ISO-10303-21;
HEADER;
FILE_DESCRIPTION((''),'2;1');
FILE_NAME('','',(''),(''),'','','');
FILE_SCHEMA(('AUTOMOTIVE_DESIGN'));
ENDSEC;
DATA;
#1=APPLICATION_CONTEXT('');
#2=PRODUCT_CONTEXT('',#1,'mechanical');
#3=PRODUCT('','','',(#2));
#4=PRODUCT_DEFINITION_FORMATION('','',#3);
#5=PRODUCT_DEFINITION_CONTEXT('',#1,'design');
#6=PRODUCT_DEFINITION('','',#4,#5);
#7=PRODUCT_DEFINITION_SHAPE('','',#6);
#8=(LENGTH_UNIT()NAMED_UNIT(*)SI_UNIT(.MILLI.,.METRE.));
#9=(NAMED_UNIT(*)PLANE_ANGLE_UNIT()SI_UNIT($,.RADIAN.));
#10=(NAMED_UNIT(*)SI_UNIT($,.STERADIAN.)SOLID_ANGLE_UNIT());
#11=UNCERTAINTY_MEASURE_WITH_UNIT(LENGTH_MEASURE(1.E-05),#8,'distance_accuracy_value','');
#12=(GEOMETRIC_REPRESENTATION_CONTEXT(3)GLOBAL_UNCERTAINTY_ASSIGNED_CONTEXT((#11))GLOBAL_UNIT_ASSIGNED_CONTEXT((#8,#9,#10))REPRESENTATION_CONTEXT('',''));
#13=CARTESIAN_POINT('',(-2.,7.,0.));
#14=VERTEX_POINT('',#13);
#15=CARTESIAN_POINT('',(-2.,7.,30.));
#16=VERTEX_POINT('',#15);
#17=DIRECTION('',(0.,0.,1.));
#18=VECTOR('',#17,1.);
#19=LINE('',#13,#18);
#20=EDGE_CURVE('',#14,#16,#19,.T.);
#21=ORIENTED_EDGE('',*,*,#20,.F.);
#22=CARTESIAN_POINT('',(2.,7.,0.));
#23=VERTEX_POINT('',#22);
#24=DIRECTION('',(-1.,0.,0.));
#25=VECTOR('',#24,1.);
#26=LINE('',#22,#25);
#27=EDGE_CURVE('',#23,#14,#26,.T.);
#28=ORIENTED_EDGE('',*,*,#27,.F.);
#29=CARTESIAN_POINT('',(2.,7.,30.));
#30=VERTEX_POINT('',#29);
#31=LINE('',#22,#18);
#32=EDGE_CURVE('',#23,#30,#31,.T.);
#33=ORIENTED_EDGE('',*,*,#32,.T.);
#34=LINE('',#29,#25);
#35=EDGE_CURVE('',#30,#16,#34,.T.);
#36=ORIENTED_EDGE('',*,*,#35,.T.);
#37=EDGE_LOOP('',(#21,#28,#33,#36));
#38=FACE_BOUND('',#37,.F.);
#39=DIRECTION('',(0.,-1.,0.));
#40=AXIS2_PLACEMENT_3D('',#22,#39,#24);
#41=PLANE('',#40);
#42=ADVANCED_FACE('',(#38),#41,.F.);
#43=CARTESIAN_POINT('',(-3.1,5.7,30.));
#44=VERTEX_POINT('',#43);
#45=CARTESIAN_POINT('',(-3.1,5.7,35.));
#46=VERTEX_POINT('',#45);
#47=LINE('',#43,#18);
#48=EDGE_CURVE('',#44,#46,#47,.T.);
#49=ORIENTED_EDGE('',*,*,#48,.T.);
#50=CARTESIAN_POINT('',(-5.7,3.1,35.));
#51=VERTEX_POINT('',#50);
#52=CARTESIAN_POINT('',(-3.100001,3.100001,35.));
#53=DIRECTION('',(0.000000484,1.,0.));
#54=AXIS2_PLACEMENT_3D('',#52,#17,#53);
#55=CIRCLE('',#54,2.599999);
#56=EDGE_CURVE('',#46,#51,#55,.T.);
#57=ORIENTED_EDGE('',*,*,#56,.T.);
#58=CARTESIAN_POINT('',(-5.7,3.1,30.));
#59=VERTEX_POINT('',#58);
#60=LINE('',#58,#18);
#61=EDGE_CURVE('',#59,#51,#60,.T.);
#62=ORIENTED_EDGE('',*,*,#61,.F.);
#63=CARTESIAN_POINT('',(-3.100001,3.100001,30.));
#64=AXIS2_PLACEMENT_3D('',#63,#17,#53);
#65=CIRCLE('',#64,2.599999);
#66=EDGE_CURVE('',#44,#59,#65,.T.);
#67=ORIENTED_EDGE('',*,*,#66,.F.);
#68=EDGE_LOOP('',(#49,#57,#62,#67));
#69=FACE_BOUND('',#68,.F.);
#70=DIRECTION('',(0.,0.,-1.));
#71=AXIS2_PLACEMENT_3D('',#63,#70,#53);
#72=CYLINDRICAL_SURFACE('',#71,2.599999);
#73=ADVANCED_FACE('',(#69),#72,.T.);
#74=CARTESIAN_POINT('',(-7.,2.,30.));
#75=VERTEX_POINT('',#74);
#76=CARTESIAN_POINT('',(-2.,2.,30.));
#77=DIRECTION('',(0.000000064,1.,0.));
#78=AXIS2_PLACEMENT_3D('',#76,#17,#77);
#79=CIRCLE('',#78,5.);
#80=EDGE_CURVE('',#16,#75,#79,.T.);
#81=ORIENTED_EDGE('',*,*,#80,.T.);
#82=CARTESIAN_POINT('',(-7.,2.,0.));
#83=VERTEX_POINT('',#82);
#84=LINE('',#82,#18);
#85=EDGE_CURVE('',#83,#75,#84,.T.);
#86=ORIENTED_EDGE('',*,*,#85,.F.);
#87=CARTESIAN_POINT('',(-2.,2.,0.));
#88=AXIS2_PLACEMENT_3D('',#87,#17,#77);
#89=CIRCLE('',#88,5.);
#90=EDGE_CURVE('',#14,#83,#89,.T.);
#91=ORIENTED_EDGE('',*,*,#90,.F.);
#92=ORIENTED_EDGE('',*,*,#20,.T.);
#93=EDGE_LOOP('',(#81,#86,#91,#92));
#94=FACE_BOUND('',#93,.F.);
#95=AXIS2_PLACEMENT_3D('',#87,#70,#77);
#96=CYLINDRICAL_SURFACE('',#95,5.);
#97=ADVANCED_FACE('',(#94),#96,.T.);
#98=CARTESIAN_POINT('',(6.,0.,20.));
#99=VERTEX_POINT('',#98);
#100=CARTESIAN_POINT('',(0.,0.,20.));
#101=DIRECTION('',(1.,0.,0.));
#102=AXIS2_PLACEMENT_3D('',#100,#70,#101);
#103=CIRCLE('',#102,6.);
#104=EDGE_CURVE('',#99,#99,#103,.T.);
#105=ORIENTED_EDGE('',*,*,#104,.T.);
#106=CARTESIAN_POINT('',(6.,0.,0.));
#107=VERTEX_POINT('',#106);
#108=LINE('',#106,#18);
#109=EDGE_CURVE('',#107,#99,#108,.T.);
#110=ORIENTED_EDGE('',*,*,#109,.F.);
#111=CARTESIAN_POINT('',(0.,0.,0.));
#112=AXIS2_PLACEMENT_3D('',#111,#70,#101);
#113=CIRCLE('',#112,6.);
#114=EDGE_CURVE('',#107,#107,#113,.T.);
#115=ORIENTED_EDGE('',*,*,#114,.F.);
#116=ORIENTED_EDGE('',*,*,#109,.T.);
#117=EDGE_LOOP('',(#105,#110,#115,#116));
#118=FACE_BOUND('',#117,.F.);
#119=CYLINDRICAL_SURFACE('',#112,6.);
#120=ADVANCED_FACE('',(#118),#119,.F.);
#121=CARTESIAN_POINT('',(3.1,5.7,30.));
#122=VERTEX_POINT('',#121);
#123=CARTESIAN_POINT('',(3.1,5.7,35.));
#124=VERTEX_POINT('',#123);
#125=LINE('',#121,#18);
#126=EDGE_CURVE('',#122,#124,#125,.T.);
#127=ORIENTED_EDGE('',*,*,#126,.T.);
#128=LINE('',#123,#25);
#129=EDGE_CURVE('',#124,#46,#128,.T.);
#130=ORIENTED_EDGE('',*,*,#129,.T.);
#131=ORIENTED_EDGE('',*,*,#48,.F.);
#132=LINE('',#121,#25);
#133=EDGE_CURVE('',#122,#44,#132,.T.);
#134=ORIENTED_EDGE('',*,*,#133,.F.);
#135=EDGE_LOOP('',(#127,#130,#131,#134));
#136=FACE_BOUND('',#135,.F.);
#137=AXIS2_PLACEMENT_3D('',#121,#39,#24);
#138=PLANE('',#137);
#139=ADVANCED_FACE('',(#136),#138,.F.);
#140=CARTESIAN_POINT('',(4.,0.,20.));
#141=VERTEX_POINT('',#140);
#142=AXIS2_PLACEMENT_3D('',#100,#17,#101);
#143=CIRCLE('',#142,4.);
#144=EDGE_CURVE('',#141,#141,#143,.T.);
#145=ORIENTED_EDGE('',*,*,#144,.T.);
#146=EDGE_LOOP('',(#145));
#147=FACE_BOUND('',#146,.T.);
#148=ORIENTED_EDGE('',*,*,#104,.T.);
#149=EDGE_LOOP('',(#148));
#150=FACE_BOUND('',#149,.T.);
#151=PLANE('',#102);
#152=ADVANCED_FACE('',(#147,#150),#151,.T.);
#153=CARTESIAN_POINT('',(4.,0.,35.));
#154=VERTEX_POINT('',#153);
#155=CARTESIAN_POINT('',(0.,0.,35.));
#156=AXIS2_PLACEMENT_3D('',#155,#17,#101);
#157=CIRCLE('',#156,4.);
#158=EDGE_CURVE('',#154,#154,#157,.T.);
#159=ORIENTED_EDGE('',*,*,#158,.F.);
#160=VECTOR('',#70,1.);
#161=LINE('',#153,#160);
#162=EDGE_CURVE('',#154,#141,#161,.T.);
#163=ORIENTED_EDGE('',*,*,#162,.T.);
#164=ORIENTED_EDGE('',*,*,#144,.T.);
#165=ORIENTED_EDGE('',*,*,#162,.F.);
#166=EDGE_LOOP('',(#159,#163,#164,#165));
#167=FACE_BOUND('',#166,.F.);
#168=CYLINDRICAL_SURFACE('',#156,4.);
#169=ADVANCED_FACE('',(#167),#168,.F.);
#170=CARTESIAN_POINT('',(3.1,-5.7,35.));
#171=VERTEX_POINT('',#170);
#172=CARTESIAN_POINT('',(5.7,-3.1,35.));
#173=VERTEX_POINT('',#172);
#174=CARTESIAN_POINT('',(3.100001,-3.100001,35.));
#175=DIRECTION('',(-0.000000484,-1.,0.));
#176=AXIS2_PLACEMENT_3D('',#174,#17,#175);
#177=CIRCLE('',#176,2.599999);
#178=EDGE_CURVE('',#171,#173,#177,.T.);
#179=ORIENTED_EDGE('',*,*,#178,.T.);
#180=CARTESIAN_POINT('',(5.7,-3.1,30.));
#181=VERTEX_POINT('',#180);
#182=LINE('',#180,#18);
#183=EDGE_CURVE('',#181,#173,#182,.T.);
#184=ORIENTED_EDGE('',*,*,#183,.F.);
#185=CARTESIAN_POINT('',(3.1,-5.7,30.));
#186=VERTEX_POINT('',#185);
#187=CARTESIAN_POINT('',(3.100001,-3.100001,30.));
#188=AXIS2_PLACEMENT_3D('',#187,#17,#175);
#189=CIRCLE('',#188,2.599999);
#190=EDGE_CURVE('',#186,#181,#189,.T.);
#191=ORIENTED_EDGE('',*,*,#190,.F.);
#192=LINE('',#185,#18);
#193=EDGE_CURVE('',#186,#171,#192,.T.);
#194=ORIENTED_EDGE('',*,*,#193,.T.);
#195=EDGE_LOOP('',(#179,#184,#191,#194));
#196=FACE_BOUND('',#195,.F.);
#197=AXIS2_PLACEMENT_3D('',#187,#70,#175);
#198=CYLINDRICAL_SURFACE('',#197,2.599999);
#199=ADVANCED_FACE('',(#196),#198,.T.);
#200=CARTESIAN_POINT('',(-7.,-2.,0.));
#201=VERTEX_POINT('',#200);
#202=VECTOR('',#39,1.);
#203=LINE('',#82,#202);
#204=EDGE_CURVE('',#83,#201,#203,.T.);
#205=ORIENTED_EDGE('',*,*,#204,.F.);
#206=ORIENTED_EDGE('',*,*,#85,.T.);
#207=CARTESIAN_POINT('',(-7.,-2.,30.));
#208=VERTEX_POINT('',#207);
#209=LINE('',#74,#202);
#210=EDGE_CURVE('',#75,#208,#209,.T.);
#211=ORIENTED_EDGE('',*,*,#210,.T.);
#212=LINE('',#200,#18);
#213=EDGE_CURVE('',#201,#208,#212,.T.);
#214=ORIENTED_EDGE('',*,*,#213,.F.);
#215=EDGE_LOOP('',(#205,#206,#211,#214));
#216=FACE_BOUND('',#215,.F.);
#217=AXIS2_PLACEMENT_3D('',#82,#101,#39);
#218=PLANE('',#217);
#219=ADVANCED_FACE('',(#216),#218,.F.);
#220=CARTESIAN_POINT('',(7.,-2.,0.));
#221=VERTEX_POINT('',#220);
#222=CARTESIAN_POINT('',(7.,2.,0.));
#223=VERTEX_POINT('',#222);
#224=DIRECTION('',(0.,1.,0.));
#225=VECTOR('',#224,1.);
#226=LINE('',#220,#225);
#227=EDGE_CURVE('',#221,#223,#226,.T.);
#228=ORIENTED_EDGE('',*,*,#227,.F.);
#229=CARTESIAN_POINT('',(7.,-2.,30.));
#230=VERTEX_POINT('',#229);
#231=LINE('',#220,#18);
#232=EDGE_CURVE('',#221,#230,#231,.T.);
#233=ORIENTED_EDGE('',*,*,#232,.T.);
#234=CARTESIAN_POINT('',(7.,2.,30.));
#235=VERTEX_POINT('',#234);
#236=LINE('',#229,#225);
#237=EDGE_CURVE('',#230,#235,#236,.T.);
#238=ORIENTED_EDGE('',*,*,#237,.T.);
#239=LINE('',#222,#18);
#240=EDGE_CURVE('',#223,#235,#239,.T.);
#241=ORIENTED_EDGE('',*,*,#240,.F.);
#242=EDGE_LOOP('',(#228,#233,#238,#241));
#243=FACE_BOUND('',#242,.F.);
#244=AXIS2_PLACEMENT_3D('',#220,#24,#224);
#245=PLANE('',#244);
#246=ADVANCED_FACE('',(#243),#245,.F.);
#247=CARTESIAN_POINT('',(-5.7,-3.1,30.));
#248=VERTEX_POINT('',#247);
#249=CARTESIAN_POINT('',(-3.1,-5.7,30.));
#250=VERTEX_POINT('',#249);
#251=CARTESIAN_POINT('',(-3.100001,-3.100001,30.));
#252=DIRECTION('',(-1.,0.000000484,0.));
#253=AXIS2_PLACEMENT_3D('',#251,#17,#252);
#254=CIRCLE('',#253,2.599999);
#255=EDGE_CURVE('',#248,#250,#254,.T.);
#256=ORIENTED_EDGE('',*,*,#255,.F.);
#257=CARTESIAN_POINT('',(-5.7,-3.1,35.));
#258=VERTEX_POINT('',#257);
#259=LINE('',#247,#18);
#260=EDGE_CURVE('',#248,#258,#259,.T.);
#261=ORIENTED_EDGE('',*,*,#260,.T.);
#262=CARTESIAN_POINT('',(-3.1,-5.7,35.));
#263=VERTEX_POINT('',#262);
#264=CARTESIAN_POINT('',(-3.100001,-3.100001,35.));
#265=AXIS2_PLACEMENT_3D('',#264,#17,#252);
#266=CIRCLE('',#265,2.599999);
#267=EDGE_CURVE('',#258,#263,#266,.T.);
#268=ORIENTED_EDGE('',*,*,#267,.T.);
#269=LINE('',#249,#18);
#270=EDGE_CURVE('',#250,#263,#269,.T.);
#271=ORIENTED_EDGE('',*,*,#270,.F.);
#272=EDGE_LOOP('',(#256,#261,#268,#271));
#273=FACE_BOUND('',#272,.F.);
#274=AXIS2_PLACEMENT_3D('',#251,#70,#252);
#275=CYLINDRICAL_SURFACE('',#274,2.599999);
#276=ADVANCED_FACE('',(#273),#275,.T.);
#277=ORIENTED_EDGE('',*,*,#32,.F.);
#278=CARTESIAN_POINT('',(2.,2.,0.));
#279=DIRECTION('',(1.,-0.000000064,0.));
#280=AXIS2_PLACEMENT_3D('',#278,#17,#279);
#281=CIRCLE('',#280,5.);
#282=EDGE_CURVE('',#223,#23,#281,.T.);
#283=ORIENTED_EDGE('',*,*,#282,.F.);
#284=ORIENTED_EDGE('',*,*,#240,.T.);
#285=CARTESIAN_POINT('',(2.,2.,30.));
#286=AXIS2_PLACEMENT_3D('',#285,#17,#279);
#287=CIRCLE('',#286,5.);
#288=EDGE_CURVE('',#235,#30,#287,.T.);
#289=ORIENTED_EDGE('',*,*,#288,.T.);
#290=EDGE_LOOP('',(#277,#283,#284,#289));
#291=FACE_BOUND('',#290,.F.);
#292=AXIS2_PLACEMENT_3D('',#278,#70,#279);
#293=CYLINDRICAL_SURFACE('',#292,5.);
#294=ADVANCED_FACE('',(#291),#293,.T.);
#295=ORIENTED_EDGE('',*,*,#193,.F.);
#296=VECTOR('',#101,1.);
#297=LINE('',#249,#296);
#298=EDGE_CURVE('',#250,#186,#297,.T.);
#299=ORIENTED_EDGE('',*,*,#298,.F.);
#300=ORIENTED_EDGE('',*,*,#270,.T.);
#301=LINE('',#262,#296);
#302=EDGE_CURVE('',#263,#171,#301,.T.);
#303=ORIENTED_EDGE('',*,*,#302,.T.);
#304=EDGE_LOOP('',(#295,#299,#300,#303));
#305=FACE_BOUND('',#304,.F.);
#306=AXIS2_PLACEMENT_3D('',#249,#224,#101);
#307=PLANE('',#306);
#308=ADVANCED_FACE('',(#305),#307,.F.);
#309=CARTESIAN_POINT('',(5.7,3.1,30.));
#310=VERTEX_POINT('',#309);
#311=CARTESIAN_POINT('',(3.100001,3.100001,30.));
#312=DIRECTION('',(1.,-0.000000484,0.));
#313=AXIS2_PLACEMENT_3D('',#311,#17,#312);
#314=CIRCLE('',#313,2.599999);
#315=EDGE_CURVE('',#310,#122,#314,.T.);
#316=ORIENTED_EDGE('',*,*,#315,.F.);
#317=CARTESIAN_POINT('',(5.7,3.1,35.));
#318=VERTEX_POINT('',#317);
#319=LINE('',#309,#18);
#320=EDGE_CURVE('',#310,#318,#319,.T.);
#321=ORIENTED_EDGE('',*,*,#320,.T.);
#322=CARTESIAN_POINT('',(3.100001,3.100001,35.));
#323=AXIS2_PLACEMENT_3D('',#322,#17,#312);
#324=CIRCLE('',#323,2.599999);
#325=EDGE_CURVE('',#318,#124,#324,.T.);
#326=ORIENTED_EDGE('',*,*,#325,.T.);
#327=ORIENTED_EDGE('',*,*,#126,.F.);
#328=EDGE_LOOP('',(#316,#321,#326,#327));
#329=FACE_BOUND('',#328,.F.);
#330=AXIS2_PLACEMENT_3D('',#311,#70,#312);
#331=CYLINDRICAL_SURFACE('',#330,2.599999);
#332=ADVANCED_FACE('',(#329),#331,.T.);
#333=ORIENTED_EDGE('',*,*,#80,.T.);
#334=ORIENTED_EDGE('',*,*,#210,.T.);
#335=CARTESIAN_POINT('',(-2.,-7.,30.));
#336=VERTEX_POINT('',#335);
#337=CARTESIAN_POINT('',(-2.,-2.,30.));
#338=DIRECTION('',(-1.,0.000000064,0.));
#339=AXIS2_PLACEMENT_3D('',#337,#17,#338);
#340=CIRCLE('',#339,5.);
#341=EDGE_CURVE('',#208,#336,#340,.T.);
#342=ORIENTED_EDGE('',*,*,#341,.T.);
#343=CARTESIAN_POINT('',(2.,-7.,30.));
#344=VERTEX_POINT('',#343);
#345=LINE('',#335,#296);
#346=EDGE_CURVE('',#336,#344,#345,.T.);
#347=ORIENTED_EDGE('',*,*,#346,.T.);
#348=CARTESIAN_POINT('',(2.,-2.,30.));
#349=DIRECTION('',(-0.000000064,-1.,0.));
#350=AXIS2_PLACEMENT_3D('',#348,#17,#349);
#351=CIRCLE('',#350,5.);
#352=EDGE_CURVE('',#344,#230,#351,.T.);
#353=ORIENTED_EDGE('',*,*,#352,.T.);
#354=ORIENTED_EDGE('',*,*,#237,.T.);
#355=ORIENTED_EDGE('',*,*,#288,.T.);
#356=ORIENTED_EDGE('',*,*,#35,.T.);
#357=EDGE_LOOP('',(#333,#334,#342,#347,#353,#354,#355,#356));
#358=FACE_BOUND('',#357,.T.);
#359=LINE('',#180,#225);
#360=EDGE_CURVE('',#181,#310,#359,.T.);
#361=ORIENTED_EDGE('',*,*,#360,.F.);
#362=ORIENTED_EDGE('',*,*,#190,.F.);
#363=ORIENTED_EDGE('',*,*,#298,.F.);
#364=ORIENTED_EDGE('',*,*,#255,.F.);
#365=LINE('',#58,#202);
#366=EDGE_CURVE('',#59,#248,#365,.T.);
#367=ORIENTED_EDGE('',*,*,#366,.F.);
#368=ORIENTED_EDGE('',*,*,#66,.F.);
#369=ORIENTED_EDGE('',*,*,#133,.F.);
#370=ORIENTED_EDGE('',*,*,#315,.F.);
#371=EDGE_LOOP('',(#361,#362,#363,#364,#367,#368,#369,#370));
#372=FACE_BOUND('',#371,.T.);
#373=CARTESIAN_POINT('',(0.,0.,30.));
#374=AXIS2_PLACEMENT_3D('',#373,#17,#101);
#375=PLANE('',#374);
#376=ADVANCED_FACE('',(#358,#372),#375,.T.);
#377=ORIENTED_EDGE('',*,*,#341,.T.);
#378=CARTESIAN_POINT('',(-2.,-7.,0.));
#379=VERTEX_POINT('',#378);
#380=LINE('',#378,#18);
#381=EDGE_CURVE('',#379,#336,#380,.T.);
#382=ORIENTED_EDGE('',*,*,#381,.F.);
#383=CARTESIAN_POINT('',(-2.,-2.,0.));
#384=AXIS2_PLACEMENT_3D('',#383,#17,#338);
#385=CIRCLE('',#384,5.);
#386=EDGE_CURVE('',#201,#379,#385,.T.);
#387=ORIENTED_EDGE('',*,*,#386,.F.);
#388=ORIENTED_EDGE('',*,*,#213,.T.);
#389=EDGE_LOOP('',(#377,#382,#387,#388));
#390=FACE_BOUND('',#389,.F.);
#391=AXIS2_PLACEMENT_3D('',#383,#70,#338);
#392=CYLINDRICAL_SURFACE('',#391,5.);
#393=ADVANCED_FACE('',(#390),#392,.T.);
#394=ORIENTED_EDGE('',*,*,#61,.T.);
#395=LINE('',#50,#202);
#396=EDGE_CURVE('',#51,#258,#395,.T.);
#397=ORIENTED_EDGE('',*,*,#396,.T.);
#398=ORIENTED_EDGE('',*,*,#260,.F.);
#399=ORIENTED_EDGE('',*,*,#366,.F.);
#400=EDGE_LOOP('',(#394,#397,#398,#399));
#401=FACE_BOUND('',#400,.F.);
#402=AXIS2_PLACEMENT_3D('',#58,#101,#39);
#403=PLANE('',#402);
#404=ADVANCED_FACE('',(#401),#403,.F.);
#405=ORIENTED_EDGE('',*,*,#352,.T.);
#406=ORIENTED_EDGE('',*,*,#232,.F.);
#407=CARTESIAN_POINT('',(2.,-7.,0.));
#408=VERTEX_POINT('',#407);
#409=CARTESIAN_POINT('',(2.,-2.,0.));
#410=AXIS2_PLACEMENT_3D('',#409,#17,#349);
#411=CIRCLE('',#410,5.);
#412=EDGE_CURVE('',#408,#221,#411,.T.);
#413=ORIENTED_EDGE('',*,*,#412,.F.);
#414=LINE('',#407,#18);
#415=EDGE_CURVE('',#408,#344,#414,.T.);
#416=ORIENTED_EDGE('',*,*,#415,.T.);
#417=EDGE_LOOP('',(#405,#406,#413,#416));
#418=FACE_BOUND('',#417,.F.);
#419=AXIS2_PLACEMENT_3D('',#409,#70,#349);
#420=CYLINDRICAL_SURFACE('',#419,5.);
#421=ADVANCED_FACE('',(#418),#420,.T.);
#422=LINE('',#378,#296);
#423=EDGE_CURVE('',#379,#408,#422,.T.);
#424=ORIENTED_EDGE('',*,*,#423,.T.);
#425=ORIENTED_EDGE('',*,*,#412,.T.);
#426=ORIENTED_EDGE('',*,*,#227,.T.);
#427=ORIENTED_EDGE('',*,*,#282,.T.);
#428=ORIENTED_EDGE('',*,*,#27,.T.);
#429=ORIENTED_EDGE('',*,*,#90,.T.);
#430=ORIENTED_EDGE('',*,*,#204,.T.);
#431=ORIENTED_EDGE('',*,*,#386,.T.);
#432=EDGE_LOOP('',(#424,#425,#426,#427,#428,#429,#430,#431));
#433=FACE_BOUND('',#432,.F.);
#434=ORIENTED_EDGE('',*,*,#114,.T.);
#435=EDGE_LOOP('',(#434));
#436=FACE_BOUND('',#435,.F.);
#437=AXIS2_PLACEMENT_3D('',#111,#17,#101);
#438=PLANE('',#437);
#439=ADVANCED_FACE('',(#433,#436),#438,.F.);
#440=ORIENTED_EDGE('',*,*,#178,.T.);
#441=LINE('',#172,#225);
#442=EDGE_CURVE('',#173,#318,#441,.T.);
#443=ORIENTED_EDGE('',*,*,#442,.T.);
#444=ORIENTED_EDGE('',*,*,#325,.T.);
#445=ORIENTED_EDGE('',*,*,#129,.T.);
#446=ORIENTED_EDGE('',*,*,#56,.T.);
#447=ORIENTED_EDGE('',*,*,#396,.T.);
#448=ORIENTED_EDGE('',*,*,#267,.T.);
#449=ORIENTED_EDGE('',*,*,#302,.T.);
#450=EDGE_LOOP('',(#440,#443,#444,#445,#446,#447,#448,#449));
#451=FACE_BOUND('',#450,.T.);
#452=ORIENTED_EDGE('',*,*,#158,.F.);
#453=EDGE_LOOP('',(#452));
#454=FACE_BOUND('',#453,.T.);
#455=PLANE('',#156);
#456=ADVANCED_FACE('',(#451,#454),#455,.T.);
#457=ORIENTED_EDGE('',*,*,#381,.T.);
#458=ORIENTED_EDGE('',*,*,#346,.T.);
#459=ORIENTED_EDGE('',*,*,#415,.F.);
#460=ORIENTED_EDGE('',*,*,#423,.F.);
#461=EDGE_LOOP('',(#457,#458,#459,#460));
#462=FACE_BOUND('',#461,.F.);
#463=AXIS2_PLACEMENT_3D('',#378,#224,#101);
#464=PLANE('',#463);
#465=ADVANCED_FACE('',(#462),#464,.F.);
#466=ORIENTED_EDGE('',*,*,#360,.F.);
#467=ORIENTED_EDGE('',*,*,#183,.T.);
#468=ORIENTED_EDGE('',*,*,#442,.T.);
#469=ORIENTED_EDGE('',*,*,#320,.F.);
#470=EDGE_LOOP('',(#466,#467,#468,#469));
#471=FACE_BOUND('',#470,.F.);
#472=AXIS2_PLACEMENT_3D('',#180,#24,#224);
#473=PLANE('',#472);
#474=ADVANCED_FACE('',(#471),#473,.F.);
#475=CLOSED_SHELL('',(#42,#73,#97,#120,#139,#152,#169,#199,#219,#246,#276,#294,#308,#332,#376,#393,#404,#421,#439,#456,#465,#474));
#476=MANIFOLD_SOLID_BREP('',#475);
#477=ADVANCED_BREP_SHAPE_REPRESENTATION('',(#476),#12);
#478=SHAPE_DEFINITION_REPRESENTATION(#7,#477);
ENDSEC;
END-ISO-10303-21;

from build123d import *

# Parameters (mm, degrees)
F1_DEPTH = 30
F3_DEPTH = 5
F4_R     = 4
F5_DEPTH = 15
F6_R     = 6
F7_DEPTH = 20


with BuildPart() as f1:
    # F0 (on Top) → F1 (new body)
    with BuildSketch(Plane.XY):
        with BuildLine():
            ThreePointArc((7, 2), (5.535534, 5.535534), (2, 7))
            Line((2, 7), (-2, 7))
            ThreePointArc((-2, 7), (-5.535534, 5.535534), (-7, 2))
            Line((-7, 2), (-7, -2))
            ThreePointArc((-7, -2), (-5.535534, -5.535534), (-2, -7))
            Line((-2, -7), (2, -7))
            ThreePointArc((2, -7), (5.535534, -5.535534), (7, -2))
            Line((7, -2), (7, 2))
        make_face()
    extrude(amount=F1_DEPTH)

    # F2 (on face) → F3 (join)
    with BuildSketch(Plane.XY.offset(30)):
        with BuildLine():
            ThreePointArc((5.7, 3.1), (4.938478, 4.938478), (3.1, 5.7))
            Line((3.1, 5.7), (-3.1, 5.7))
            ThreePointArc((-3.1, 5.7), (-4.938478, 4.938478), (-5.7, 3.1))
            Line((-5.7, 3.1), (-5.7, -3.1))
            ThreePointArc((-5.7, -3.1), (-4.938478, -4.938478), (-3.1, -5.7))
            Line((-3.1, -5.7), (3.1, -5.7))
            ThreePointArc((3.1, -5.7), (4.938478, -4.938478), (5.7, -3.1))
            Line((5.7, -3.1), (5.7, 3.1))
        make_face()
    extrude(amount=F3_DEPTH)

    # F4 (on face) → F5 (cut)
    with BuildSketch(Plane.XY.offset(35)):
        Circle(F4_R)
    extrude(amount=-F5_DEPTH, mode=Mode.SUBTRACT)

    # F6 (on face) → F7 (cut)
    with BuildSketch(Plane(origin=(0, 0, 0), x_dir=(1, 0, 0), z_dir=(0, 0, -1))):
        Circle(F6_R)
    extrude(amount=-F7_DEPTH, mode=Mode.SUBTRACT)


solid = f1.part
